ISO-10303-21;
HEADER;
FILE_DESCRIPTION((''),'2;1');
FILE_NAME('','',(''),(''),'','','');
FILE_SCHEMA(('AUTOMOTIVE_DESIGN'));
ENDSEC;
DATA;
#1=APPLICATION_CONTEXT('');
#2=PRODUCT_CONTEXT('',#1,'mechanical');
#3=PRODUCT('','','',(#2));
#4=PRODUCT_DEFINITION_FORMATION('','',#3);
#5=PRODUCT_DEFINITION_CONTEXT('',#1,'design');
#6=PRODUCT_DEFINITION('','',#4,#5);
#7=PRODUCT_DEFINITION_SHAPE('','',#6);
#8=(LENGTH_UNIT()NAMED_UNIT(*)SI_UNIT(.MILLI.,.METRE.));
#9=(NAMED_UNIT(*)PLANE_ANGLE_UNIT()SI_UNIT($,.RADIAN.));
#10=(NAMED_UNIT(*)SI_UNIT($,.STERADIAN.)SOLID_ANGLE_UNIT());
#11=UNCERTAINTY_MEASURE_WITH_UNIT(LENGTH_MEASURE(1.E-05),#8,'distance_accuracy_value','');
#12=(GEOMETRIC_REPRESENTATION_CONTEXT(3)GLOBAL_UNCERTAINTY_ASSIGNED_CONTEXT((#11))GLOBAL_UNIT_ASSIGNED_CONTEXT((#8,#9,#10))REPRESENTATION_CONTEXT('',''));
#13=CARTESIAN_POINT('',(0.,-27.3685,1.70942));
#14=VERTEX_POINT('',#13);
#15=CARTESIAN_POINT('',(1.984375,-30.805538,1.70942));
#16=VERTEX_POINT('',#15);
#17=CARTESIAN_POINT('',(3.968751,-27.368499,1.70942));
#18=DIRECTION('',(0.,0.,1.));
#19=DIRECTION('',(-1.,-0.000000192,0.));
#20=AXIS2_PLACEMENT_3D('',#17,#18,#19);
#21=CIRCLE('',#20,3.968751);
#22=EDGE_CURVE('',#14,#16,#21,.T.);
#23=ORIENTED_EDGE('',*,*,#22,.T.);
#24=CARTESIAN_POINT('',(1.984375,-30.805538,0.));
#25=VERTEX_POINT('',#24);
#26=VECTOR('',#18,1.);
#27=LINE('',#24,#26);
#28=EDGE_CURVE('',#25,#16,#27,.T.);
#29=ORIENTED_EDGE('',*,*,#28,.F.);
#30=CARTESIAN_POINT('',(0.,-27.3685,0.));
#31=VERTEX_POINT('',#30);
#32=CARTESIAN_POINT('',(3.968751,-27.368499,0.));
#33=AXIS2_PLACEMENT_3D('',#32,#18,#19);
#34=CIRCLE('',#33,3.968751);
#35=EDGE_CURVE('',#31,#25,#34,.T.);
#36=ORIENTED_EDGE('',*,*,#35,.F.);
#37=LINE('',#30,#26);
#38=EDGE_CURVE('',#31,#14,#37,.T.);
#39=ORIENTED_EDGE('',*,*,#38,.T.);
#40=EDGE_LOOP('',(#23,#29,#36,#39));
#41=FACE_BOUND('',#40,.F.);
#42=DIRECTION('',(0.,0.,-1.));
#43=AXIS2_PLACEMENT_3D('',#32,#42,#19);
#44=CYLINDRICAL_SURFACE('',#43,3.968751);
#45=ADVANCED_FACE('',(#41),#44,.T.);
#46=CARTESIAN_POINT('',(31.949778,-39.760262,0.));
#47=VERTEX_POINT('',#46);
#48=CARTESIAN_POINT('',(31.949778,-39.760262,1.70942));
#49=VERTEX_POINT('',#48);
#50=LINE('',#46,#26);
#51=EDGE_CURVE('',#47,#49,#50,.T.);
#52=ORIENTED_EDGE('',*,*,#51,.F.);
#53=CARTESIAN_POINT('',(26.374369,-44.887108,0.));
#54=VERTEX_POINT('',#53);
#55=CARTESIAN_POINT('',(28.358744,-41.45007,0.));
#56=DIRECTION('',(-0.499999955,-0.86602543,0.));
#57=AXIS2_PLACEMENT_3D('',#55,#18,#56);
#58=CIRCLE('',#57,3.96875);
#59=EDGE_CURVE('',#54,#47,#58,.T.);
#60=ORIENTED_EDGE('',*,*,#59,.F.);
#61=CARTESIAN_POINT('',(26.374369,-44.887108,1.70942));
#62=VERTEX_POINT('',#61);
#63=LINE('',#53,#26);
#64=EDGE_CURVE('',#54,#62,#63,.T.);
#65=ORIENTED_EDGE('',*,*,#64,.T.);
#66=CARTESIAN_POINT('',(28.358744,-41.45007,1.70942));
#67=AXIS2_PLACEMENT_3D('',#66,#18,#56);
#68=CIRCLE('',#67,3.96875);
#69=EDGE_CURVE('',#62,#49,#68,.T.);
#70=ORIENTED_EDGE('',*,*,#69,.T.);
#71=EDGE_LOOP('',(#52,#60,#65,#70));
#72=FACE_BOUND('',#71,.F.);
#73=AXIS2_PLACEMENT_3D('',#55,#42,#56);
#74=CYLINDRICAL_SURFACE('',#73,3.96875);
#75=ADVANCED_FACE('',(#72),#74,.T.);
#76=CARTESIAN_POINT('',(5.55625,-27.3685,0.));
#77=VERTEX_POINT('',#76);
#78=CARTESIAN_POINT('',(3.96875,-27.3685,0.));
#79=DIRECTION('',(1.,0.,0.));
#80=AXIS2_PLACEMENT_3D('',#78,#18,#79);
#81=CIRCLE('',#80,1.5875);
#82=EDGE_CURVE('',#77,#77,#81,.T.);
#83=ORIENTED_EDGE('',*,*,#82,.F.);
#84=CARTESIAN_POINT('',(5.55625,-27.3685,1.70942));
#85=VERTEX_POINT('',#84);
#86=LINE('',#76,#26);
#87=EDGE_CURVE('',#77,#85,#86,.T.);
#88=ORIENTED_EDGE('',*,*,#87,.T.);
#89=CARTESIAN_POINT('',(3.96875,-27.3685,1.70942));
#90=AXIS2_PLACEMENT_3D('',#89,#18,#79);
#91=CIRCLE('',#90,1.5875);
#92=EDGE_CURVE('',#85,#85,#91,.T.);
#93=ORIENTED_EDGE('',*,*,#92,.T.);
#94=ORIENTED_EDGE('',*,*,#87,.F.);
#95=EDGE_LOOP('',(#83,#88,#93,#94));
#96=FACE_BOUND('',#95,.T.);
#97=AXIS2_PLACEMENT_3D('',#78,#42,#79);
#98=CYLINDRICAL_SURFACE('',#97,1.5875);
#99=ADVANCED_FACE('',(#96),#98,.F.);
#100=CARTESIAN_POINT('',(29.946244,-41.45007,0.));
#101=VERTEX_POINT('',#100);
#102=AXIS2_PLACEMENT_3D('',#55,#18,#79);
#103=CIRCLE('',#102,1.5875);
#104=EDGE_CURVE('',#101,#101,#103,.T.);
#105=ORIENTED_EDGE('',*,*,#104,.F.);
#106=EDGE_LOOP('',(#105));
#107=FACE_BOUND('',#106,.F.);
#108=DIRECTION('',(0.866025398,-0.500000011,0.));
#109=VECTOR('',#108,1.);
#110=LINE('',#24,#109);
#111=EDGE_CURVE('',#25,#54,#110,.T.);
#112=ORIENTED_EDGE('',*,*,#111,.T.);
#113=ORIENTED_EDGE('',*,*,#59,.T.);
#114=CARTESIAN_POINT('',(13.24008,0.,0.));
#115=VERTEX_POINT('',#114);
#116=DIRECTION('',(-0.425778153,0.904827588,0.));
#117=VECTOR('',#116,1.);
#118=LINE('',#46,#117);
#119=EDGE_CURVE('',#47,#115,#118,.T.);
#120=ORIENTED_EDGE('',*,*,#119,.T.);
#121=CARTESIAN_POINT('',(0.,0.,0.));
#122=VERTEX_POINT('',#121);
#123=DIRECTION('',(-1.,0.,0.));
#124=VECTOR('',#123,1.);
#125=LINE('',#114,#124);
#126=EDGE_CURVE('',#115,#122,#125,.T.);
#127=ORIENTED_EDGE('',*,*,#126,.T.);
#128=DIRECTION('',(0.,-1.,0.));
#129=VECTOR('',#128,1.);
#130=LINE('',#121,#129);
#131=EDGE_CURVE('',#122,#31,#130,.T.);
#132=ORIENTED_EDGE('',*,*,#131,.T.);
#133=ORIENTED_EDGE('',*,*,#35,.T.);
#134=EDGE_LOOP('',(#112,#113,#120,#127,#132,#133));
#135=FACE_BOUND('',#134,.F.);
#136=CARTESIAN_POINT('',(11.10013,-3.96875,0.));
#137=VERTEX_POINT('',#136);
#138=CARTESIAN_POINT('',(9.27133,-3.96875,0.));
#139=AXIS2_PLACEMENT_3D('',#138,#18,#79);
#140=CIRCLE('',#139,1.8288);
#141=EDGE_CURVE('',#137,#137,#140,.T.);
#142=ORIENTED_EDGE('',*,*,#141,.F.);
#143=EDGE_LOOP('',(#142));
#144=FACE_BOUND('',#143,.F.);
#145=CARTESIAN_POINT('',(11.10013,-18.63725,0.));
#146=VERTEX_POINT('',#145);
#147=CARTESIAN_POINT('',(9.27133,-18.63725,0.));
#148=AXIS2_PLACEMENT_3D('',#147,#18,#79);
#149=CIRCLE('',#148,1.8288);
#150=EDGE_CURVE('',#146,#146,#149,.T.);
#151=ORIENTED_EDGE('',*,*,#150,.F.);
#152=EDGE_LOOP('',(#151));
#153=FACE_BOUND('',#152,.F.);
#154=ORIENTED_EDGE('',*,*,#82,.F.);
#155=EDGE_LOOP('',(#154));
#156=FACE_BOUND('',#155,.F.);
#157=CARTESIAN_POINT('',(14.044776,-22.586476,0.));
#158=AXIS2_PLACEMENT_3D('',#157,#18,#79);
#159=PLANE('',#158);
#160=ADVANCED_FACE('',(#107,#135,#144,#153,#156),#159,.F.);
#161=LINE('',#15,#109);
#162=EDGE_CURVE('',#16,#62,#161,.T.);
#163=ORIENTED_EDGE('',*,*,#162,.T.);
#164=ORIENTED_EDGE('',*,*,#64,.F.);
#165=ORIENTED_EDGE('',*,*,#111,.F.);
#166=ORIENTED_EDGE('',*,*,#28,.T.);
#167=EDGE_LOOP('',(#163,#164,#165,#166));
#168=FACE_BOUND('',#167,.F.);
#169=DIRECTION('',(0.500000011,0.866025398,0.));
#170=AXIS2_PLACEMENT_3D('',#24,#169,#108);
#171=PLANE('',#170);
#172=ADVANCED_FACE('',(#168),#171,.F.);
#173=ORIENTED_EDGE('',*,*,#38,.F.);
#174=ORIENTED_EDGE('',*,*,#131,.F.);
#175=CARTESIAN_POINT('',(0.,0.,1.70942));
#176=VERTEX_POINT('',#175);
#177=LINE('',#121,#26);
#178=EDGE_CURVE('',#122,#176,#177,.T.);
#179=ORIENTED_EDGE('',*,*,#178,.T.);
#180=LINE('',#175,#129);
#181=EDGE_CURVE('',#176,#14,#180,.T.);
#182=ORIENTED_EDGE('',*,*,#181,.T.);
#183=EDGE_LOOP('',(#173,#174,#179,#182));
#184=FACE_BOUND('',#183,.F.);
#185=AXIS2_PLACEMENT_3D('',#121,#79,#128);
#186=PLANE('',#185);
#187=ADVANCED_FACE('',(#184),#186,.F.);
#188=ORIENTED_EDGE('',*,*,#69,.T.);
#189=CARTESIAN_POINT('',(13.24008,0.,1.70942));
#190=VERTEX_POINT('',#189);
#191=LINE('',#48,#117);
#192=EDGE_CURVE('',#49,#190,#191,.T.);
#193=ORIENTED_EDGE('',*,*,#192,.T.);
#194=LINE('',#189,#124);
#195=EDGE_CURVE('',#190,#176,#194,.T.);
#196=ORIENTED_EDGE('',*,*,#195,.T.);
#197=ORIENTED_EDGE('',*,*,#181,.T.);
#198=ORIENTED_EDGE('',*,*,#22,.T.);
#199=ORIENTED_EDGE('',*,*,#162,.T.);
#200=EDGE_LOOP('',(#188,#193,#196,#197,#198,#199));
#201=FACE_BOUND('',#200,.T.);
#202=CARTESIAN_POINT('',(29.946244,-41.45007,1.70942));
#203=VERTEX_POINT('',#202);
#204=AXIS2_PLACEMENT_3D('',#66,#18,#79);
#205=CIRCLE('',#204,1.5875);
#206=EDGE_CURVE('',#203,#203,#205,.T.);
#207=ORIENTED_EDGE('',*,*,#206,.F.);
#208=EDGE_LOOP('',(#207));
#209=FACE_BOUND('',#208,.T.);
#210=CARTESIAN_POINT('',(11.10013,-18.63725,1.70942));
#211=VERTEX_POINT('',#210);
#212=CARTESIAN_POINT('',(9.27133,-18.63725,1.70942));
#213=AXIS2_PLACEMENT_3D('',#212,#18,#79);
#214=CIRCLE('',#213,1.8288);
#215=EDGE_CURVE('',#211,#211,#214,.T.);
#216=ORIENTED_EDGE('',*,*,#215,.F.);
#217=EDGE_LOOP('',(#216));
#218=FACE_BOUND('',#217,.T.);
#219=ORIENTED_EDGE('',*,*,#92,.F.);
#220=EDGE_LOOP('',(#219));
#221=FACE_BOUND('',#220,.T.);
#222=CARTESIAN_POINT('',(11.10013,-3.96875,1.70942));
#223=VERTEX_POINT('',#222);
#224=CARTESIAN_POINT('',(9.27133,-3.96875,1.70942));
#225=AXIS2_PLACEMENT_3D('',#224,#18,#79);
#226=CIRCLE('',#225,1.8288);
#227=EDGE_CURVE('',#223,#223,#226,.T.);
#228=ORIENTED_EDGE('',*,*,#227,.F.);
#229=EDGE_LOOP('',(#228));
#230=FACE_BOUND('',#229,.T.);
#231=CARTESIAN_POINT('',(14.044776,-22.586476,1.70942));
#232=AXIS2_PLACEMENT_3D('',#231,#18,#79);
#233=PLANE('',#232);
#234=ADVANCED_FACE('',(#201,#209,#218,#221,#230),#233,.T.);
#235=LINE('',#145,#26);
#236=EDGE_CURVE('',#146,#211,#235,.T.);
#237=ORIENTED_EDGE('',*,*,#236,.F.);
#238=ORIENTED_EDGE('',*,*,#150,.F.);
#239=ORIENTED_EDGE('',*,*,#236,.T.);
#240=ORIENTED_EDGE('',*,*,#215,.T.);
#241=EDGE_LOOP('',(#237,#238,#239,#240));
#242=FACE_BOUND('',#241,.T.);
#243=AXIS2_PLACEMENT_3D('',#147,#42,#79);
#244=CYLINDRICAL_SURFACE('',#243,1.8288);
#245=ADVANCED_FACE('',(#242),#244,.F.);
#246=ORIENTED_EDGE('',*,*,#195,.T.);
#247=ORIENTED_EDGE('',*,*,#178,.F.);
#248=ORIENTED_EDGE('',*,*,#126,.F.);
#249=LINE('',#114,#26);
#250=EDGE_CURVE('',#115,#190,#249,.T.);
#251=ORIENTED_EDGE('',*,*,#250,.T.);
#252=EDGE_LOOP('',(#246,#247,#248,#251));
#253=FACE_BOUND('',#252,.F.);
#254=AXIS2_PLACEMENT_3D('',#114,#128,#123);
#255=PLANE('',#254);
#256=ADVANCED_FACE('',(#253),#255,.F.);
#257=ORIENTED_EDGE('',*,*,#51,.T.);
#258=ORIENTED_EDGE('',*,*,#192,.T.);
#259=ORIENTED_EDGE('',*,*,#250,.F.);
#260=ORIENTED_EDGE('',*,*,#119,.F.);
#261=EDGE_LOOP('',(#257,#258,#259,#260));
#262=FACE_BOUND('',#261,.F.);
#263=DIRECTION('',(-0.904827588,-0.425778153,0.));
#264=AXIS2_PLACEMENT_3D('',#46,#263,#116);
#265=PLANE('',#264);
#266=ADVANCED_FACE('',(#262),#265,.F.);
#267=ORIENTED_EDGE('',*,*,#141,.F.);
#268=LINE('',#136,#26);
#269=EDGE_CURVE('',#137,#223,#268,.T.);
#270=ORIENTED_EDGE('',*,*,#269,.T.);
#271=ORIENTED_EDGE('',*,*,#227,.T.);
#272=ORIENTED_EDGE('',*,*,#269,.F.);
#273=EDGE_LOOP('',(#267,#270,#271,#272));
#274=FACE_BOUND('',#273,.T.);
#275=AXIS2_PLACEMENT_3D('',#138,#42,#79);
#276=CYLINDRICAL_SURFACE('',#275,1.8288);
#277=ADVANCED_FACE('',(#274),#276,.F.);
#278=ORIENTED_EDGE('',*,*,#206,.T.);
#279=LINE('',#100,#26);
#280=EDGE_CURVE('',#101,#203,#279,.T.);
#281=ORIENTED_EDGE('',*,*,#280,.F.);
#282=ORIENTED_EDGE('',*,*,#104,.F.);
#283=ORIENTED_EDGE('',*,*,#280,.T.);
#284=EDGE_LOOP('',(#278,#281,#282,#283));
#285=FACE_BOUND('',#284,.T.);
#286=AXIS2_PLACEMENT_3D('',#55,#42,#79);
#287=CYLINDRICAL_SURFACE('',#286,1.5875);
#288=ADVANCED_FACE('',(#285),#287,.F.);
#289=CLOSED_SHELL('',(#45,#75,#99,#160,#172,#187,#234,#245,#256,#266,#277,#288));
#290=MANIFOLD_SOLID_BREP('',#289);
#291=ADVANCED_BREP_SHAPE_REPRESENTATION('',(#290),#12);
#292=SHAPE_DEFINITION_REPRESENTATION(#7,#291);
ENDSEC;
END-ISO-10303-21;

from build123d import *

# Parameters (mm, degrees)
F0_R     = 1.5875
F0_R_2   = 1.8288
F1_DEPTH = 1.70942


with BuildPart() as f1:
    # F0 (on Top) → F1 (new body)
    with BuildSketch(Plane.XY):
        with BuildLine():
            Line((13.24008, 0), (0, 0))
            Line((0, 0), (0, -27.3685))
            ThreePointArc((0, -27.3685), (0.531712, -29.352875), (1.984375, -30.805538))
            Line((1.984375, -30.805538), (26.374369, -44.887108))
            ThreePointArc((26.374369, -44.887108), (31.045093, -44.371457), (31.949778, -39.760262))
            Line((31.949778, -39.760262), (13.24008, 0))
        make_face()
        with Locations((3.96875, -27.3685)):
            Circle(F0_R, mode=Mode.SUBTRACT)
        with Locations((28.358744, -41.45007)):
            Circle(F0_R, mode=Mode.SUBTRACT)
        with Locations((9.27133, -18.63725)):
            Circle(F0_R_2, mode=Mode.SUBTRACT)
        with Locations((9.27133, -3.96875)):
            Circle(F0_R_2, mode=Mode.SUBTRACT)
    extrude(amount=F1_DEPTH)


solid = f1.part
